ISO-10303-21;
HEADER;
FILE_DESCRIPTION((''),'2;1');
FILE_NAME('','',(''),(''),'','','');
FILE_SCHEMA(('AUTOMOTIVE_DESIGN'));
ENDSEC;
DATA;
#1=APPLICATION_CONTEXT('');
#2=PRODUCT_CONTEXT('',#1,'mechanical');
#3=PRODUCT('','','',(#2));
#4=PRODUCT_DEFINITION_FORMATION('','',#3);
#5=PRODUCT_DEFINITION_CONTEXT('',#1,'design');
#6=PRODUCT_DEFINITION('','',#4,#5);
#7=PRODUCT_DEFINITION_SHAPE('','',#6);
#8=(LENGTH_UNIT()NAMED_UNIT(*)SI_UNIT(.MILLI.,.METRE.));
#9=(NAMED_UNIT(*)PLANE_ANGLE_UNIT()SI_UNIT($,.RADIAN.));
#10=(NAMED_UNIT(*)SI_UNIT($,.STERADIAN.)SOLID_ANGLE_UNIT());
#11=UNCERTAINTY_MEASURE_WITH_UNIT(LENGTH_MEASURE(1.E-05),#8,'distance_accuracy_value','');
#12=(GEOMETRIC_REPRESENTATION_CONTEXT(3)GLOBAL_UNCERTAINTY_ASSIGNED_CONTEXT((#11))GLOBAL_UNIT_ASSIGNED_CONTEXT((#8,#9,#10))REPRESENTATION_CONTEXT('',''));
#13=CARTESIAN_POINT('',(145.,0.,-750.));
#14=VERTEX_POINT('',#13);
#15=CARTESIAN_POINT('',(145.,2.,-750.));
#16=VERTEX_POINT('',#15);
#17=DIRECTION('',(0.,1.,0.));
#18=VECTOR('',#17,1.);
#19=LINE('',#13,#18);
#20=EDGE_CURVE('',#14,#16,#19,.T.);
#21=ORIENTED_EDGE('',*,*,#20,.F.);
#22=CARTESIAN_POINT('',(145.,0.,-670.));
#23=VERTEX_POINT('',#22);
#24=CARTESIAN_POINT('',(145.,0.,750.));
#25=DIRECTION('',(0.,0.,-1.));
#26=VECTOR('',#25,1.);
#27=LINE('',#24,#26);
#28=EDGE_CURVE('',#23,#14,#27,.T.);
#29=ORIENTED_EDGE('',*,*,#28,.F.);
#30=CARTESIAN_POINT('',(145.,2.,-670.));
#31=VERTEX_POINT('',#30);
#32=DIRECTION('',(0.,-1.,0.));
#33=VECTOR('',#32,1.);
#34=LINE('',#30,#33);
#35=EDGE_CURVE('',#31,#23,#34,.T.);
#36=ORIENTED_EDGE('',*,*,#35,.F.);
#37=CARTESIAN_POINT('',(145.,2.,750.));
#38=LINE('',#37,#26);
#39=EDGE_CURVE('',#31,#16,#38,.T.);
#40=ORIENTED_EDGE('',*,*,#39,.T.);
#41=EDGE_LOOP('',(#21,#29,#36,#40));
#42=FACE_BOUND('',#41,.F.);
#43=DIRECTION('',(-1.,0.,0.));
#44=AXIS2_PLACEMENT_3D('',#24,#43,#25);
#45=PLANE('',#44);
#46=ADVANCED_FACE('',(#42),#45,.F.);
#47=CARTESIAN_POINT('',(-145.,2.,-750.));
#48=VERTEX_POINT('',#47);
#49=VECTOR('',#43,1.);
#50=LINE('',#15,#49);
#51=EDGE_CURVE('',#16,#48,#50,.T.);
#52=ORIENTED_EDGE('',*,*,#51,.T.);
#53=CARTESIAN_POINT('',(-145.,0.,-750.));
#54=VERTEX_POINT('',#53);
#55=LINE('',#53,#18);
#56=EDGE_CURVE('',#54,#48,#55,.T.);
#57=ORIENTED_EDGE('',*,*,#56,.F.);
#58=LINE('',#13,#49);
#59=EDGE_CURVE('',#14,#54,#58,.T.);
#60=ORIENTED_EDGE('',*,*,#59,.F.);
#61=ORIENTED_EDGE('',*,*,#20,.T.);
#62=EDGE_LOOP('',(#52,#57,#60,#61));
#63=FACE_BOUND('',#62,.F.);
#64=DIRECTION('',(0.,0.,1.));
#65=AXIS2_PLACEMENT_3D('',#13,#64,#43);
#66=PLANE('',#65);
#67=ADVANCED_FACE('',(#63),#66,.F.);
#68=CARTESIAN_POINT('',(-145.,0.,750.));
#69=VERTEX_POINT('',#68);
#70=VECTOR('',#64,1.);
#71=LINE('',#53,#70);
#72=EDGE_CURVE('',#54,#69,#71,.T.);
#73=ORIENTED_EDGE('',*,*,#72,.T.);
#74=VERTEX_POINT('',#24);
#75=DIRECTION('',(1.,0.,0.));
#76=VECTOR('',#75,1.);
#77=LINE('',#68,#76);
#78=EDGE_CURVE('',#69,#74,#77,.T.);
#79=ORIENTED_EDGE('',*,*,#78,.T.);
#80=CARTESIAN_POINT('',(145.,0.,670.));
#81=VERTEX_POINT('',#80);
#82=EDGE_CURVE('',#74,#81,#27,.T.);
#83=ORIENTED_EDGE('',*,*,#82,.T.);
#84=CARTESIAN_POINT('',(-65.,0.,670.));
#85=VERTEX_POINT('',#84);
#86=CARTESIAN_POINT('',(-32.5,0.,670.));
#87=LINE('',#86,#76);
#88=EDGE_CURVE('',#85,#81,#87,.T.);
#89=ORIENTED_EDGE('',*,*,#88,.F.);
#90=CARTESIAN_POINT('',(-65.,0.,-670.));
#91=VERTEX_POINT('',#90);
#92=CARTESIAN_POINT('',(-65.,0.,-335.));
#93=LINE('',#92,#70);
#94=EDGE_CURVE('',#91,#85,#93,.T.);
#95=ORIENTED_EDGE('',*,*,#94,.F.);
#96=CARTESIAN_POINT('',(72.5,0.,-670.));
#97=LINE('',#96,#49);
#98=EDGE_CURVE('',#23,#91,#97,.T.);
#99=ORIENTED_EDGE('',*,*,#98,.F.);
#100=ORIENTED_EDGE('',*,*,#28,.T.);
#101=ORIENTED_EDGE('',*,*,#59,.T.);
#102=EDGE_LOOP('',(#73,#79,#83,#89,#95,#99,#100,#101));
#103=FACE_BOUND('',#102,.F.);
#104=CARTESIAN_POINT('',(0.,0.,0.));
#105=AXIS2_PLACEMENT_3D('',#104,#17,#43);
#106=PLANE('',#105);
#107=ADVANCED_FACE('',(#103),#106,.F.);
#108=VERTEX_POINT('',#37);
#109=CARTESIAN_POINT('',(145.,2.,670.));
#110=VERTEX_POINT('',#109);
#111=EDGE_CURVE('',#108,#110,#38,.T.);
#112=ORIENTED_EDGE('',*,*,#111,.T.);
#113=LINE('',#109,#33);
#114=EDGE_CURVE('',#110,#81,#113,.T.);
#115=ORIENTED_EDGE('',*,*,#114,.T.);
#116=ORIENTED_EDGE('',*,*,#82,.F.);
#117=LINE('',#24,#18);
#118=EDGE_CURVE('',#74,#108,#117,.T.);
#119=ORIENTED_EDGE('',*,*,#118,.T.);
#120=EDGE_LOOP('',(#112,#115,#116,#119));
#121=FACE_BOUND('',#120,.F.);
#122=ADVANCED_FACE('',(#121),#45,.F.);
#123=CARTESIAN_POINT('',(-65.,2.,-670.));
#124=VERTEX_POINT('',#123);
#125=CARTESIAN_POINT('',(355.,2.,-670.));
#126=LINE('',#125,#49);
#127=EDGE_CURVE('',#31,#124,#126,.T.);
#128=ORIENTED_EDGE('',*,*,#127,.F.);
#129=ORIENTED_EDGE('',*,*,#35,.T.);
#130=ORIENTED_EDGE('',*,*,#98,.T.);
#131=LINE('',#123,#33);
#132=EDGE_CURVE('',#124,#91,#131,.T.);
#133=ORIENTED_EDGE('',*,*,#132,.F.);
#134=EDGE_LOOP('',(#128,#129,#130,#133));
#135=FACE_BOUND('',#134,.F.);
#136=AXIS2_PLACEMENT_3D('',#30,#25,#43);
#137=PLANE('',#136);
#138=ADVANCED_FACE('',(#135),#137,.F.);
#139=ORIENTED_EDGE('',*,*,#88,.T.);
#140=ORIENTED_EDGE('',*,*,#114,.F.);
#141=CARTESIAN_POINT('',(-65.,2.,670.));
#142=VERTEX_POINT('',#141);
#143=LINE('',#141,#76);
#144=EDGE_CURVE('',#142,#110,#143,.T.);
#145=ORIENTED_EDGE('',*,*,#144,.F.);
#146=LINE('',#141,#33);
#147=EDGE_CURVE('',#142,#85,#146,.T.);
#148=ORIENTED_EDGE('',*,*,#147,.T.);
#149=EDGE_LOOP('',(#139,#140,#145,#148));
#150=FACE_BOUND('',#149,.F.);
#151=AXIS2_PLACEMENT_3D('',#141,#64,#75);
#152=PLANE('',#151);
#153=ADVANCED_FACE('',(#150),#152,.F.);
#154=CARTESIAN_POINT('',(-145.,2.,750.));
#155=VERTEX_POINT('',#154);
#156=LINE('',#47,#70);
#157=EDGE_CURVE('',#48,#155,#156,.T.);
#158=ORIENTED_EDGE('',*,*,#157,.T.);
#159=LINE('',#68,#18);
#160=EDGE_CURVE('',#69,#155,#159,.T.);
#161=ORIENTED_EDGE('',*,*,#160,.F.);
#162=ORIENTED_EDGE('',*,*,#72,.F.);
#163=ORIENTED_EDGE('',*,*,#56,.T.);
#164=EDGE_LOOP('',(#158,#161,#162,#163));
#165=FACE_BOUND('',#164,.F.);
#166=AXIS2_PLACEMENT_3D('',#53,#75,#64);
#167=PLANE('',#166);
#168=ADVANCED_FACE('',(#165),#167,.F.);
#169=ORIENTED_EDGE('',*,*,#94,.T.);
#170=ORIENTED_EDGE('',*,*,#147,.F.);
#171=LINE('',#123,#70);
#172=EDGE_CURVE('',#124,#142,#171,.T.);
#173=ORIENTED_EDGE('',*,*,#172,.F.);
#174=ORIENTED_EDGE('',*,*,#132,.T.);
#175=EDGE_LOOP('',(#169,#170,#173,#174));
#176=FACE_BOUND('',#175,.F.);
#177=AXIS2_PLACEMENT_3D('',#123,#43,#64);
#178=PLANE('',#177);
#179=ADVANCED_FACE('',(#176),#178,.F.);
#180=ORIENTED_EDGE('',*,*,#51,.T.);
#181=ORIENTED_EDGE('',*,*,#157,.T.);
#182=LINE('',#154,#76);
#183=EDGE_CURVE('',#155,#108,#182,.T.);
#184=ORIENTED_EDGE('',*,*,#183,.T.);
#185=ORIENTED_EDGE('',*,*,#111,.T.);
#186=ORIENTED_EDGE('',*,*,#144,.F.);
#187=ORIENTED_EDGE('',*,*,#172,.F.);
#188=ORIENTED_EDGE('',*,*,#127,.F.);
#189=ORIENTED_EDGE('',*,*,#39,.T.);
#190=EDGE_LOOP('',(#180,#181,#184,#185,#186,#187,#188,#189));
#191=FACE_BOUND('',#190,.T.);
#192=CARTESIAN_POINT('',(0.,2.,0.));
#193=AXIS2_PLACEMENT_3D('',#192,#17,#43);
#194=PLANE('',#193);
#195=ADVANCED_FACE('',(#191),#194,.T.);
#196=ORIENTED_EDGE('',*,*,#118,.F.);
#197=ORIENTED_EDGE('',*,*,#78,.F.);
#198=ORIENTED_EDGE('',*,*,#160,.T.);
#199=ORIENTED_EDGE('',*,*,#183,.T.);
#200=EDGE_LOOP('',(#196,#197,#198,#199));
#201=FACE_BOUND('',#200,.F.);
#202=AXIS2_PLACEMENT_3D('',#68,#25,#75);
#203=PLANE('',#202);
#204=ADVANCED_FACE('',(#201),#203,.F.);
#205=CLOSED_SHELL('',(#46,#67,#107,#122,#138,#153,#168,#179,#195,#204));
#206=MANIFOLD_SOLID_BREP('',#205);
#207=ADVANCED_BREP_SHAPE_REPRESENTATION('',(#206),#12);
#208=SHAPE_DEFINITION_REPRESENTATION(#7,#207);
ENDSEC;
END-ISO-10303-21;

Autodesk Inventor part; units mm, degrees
ref_plane "YZ Plane" through (0, 0, 0) normal (1, 0, 0) x (0, 1, 0)
ref_plane "XZ Plane" through (0, 0, 0) normal (0, 1, 0) x (-1, 0, 0)
ref_plane "XY Plane" through (0, 0, 0) normal (0, 0, 1) x (1, 0, 0)
sketch "スケッチ1" plane through (0, 0, 0) normal (0, 1, 0) x (-1, 0, 0)
  line L0 (-145, -750) -> (145, -750)
  line L1 (145, -750) -> (145, 750)
  line L2 (145, 750) -> (-145, 750)
  line L3 (-145, 750) -> (-145, -750)
  line L4 (-145, -750) -> (145, 750) construction
  line L5 (145, -750) -> (-145, 750) construction
  point P0 (0, 0)
  dimension "d0" = 1500
  dimension "d1" = 290
extrude "押し出し1" add sketch "スケッチ1" along normal blind 2
sketch "スケッチ2" plane through (0, 2, 0) normal (0, 1, 0) x (1, 0, 0)
  line L0 (355, 670) -> (-65, 670)
  line L1 (-65, 670) -> (-65, -670)
  line L2 (-65, -670) -> (355, -670)
  line L3 (355, -670) -> (355, 670)
  line L4 (145, -750) -> (145, 750) projected
  line L5 (355, 670) -> (-65, -670) construction
  line L6 (-65, 670) -> (355, -670) construction
  line L7 (-145, -750) -> (145, -750) projected
  line L8 (-145, 750) -> (-145, -750) projected
  point P0 (0, 0)
  point P1 (145, 0)
  point P2 (145, -670)
  point P3 (145, 670)
  dimension "d4" = 80
  dimension "d5" = 80
extrude "押し出し2" cut sketch "スケッチ2" against normal blind 10 contours L4 L2 L1 L0
properties part number "Panel_E" material "アルミニウム 6061"
